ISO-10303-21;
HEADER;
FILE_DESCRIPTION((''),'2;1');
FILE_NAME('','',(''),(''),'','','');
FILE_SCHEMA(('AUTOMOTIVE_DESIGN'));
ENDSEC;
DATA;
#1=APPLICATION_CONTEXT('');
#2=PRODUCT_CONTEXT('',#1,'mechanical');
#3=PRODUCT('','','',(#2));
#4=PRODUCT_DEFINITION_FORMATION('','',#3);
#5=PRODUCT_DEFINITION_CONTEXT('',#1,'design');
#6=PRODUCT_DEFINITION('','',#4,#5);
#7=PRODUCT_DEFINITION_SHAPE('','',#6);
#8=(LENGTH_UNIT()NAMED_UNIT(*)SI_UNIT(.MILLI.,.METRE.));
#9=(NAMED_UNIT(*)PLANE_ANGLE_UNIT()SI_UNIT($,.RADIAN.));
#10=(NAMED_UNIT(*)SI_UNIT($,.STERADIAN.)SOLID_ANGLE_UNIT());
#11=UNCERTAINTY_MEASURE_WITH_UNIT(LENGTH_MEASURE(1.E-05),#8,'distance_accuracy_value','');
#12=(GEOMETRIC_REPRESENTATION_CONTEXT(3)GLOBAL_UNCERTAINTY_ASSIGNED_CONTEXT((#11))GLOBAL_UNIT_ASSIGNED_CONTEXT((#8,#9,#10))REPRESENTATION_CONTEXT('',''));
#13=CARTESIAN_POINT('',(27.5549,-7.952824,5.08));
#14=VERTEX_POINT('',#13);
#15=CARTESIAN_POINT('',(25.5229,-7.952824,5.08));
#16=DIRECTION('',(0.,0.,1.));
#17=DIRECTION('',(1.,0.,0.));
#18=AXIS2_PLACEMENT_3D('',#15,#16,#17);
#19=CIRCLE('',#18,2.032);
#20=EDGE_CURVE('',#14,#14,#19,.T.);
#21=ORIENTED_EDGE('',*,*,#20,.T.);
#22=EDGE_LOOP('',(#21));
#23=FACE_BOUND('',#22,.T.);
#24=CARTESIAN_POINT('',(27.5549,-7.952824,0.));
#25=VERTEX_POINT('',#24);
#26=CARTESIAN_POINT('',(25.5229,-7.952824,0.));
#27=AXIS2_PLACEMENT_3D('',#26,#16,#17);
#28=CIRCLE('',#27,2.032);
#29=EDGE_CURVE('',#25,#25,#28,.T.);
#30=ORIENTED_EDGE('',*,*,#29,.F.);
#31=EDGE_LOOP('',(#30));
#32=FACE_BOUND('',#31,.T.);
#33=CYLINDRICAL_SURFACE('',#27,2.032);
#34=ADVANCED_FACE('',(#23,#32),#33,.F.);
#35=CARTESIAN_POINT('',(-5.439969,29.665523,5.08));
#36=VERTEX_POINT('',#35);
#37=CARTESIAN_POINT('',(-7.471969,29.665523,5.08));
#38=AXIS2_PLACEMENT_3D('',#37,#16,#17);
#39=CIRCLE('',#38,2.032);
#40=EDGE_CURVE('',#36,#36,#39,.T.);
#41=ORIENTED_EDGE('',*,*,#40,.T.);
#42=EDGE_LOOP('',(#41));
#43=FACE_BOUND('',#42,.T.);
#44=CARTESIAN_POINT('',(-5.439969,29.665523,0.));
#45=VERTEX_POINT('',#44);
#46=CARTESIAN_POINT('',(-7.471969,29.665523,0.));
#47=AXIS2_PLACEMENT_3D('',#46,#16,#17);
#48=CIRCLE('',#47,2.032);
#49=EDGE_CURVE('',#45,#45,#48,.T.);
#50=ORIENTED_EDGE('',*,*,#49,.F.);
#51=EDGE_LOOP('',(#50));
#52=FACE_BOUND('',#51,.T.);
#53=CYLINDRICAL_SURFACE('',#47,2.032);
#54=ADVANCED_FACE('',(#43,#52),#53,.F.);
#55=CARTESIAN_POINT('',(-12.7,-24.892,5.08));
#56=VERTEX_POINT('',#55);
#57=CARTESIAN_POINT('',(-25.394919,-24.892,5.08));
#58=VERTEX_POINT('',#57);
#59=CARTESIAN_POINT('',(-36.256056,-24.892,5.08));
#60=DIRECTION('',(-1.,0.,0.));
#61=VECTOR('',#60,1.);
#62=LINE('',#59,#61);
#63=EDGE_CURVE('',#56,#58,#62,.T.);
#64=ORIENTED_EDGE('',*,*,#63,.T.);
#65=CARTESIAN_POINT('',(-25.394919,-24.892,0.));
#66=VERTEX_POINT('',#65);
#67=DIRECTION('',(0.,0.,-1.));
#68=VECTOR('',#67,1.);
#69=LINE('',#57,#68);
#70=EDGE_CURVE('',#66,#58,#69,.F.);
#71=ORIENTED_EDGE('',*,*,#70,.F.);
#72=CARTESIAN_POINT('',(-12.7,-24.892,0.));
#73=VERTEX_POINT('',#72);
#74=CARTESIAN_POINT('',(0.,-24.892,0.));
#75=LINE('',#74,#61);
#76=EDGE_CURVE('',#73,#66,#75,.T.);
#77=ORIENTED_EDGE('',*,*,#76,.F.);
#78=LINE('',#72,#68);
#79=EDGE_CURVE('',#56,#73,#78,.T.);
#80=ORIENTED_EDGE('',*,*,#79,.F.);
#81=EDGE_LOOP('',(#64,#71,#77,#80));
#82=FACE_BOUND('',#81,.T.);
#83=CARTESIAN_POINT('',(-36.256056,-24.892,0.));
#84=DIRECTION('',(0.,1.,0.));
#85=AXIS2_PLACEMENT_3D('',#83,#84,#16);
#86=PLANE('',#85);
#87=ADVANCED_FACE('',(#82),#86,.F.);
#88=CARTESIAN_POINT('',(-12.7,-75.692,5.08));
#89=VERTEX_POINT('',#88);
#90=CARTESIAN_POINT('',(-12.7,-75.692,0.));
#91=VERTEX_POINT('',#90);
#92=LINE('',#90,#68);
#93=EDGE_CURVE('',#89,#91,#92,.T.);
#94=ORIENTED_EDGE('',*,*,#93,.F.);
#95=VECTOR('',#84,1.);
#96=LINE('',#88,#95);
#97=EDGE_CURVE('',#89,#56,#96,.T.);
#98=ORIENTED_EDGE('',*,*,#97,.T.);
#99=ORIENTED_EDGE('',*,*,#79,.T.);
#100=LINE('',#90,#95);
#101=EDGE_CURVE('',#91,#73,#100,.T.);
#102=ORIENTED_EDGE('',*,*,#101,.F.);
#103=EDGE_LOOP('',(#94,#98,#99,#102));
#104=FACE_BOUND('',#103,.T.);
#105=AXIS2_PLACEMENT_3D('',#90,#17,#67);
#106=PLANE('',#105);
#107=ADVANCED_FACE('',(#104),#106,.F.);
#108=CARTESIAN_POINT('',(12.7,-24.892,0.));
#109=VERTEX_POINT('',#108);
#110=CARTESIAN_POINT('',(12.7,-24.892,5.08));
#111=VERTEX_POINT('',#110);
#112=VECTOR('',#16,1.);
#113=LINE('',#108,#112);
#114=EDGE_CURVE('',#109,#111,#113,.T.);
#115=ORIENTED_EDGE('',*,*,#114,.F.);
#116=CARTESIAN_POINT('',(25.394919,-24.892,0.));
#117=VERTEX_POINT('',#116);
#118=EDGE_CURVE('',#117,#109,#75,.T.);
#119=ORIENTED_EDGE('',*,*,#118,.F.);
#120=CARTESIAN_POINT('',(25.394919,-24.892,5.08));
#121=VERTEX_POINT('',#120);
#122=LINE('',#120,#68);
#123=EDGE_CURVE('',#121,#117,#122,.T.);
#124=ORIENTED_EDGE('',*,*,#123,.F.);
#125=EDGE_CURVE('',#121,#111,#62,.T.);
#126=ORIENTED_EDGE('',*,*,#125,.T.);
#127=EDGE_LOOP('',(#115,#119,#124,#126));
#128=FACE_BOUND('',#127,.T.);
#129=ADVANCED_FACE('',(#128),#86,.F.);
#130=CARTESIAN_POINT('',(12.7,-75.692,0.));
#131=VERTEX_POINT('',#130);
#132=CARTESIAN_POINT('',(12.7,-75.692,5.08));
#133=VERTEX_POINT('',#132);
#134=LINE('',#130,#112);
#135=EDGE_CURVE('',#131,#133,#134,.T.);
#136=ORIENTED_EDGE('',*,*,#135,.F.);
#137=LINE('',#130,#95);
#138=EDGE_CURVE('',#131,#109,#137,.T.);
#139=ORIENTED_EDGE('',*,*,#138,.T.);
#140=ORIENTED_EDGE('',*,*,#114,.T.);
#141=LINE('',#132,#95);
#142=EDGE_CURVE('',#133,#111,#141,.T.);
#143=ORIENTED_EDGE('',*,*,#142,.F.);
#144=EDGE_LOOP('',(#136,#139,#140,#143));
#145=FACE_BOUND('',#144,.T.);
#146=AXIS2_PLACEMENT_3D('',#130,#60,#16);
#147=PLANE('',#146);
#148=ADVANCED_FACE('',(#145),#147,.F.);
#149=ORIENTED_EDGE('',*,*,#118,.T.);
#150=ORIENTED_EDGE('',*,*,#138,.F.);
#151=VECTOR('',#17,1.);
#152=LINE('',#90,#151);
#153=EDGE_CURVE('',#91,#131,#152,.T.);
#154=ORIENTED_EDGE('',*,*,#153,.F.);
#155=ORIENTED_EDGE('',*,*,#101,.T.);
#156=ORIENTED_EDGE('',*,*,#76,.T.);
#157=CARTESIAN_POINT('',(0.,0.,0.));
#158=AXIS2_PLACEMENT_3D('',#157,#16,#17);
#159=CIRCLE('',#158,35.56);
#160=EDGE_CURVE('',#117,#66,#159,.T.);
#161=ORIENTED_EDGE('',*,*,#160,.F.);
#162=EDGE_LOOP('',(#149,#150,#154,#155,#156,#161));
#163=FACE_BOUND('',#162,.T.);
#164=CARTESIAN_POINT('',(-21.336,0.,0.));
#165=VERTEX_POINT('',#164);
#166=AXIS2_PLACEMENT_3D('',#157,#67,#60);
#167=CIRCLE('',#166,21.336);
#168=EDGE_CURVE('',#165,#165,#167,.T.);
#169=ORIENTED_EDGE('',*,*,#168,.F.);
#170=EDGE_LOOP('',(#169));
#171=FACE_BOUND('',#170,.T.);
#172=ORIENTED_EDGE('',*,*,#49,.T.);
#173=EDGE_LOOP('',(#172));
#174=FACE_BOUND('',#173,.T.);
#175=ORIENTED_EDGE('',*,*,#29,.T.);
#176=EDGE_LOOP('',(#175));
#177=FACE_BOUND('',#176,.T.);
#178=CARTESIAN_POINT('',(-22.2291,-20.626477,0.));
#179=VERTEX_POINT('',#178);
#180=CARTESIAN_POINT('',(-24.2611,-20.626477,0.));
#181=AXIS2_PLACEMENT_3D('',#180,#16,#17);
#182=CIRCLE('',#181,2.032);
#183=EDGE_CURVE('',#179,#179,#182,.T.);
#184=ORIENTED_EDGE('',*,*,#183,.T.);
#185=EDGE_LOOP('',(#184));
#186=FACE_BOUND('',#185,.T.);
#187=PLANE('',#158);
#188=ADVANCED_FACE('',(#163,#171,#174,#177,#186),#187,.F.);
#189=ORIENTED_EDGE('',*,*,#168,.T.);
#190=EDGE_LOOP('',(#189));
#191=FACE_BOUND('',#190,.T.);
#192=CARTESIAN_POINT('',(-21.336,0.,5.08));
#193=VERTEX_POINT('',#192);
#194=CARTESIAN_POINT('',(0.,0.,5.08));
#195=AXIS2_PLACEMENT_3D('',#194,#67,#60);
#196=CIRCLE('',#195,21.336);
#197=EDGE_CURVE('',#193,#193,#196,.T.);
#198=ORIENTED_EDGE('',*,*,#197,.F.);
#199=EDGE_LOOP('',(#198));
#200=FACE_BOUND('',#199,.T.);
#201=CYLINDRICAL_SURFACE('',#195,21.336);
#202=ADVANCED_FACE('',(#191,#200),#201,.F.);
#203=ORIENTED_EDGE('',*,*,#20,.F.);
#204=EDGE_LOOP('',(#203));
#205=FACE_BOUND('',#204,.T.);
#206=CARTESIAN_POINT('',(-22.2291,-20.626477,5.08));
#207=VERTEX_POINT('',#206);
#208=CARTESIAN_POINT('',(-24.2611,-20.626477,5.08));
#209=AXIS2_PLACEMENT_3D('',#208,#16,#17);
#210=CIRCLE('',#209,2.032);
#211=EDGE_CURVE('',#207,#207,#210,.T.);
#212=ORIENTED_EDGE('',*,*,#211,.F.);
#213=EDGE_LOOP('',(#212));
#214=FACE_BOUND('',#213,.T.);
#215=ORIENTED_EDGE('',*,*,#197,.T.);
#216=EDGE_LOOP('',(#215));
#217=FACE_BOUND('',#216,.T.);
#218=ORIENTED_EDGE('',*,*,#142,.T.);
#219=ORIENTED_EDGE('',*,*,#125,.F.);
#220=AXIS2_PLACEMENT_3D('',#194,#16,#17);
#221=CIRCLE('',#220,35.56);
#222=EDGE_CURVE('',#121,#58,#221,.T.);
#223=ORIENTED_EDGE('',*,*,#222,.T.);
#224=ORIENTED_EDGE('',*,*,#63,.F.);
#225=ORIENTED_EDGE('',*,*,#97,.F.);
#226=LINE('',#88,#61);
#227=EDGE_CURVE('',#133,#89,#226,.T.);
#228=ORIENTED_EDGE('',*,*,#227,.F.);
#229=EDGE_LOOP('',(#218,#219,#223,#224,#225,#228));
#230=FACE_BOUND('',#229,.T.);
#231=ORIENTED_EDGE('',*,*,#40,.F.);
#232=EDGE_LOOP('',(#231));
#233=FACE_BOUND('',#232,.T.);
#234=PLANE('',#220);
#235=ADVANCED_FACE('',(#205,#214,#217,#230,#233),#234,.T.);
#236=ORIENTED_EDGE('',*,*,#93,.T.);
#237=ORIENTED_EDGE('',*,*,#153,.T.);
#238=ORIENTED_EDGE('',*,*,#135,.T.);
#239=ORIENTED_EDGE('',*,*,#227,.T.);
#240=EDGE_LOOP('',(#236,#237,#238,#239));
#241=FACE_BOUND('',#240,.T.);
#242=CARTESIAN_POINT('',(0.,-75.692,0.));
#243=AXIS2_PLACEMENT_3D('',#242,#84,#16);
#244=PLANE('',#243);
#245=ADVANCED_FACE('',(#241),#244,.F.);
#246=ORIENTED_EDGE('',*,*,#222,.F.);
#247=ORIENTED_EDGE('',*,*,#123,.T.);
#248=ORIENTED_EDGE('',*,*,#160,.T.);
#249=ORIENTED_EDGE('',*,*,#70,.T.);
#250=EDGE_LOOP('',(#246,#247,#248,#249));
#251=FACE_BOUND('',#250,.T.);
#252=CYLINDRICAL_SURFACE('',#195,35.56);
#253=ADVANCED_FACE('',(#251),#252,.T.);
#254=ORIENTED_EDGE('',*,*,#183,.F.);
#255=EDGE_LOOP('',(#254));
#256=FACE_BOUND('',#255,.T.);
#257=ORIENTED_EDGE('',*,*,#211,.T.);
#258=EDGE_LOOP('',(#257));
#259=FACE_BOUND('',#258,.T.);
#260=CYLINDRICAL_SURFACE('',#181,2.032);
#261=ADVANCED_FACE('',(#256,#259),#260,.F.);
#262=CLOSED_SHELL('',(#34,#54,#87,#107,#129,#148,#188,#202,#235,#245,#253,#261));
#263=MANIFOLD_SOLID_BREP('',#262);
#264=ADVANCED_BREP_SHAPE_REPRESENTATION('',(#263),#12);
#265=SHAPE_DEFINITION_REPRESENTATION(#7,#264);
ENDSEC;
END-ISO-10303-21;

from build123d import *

# Parameters (mm, degrees)
SKETCH1_R           = 35.56
BOSS_EXTRUDE1_DEPTH = 5.08
CUT_EXTRUDE1_DEPTH  = 51.545361805
SKETCH7_R           = 2.032
CUT_EXTRUDE2_DEPTH  = 51.545361805
SKETCH8_R           = 21.336
CUT_EXTRUDE3_DEPTH  = 51.545361805
SKETCH9_W           = 25.4
SKETCH9_H           = 5.08
BOSS_EXTRUDE2_DEPTH = 50.8


with BuildPart() as part:
    # Sketch1 → Boss-Extrude1 (new body)
    with BuildSketch(Plane.XY):
        Circle(SKETCH1_R)
    extrude(amount=BOSS_EXTRUDE1_DEPTH)

    # Sketch2 → Cut-Extrude1 (cut, through all)
    with BuildSketch(Plane.XY.offset(5.08)):
        Polygon((0, -35.56), (-36.256055522, -35.56), (-36.256055522, -24.892), (33.75035888, -24.892), (33.75035888, -35.56), align=None)
    extrude(amount=-CUT_EXTRUDE1_DEPTH, mode=Mode.SUBTRACT)

    # Sketch7 → Cut-Extrude2 (cut, through all)
    with BuildSketch(Plane.XY.offset(5.08)):
        with Locations((-24.261099887, -20.626476503)):
            Circle(SKETCH7_R)
        with Locations((-7.471969114, 29.665523497)):
            Circle(SKETCH7_R)
        with Locations((25.522900113, -7.952823738)):
            Circle(SKETCH7_R)
    extrude(amount=-CUT_EXTRUDE2_DEPTH, mode=Mode.SUBTRACT)

    # Sketch8 → Cut-Extrude3 (cut, through all)
    with BuildSketch(Plane(origin=(0, 0, 0), x_dir=(-1, 0, 0), z_dir=(0, 0, -1))):
        Circle(SKETCH8_R)
    extrude(amount=-CUT_EXTRUDE3_DEPTH, mode=Mode.SUBTRACT)

    # Sketch9 → Boss-Extrude2 (add)
    with BuildSketch(Plane.XZ.offset(24.892)):
        with Locations((0, 2.54)):
            Rectangle(SKETCH9_W, SKETCH9_H)
    extrude(amount=BOSS_EXTRUDE2_DEPTH)


solid = part.part
